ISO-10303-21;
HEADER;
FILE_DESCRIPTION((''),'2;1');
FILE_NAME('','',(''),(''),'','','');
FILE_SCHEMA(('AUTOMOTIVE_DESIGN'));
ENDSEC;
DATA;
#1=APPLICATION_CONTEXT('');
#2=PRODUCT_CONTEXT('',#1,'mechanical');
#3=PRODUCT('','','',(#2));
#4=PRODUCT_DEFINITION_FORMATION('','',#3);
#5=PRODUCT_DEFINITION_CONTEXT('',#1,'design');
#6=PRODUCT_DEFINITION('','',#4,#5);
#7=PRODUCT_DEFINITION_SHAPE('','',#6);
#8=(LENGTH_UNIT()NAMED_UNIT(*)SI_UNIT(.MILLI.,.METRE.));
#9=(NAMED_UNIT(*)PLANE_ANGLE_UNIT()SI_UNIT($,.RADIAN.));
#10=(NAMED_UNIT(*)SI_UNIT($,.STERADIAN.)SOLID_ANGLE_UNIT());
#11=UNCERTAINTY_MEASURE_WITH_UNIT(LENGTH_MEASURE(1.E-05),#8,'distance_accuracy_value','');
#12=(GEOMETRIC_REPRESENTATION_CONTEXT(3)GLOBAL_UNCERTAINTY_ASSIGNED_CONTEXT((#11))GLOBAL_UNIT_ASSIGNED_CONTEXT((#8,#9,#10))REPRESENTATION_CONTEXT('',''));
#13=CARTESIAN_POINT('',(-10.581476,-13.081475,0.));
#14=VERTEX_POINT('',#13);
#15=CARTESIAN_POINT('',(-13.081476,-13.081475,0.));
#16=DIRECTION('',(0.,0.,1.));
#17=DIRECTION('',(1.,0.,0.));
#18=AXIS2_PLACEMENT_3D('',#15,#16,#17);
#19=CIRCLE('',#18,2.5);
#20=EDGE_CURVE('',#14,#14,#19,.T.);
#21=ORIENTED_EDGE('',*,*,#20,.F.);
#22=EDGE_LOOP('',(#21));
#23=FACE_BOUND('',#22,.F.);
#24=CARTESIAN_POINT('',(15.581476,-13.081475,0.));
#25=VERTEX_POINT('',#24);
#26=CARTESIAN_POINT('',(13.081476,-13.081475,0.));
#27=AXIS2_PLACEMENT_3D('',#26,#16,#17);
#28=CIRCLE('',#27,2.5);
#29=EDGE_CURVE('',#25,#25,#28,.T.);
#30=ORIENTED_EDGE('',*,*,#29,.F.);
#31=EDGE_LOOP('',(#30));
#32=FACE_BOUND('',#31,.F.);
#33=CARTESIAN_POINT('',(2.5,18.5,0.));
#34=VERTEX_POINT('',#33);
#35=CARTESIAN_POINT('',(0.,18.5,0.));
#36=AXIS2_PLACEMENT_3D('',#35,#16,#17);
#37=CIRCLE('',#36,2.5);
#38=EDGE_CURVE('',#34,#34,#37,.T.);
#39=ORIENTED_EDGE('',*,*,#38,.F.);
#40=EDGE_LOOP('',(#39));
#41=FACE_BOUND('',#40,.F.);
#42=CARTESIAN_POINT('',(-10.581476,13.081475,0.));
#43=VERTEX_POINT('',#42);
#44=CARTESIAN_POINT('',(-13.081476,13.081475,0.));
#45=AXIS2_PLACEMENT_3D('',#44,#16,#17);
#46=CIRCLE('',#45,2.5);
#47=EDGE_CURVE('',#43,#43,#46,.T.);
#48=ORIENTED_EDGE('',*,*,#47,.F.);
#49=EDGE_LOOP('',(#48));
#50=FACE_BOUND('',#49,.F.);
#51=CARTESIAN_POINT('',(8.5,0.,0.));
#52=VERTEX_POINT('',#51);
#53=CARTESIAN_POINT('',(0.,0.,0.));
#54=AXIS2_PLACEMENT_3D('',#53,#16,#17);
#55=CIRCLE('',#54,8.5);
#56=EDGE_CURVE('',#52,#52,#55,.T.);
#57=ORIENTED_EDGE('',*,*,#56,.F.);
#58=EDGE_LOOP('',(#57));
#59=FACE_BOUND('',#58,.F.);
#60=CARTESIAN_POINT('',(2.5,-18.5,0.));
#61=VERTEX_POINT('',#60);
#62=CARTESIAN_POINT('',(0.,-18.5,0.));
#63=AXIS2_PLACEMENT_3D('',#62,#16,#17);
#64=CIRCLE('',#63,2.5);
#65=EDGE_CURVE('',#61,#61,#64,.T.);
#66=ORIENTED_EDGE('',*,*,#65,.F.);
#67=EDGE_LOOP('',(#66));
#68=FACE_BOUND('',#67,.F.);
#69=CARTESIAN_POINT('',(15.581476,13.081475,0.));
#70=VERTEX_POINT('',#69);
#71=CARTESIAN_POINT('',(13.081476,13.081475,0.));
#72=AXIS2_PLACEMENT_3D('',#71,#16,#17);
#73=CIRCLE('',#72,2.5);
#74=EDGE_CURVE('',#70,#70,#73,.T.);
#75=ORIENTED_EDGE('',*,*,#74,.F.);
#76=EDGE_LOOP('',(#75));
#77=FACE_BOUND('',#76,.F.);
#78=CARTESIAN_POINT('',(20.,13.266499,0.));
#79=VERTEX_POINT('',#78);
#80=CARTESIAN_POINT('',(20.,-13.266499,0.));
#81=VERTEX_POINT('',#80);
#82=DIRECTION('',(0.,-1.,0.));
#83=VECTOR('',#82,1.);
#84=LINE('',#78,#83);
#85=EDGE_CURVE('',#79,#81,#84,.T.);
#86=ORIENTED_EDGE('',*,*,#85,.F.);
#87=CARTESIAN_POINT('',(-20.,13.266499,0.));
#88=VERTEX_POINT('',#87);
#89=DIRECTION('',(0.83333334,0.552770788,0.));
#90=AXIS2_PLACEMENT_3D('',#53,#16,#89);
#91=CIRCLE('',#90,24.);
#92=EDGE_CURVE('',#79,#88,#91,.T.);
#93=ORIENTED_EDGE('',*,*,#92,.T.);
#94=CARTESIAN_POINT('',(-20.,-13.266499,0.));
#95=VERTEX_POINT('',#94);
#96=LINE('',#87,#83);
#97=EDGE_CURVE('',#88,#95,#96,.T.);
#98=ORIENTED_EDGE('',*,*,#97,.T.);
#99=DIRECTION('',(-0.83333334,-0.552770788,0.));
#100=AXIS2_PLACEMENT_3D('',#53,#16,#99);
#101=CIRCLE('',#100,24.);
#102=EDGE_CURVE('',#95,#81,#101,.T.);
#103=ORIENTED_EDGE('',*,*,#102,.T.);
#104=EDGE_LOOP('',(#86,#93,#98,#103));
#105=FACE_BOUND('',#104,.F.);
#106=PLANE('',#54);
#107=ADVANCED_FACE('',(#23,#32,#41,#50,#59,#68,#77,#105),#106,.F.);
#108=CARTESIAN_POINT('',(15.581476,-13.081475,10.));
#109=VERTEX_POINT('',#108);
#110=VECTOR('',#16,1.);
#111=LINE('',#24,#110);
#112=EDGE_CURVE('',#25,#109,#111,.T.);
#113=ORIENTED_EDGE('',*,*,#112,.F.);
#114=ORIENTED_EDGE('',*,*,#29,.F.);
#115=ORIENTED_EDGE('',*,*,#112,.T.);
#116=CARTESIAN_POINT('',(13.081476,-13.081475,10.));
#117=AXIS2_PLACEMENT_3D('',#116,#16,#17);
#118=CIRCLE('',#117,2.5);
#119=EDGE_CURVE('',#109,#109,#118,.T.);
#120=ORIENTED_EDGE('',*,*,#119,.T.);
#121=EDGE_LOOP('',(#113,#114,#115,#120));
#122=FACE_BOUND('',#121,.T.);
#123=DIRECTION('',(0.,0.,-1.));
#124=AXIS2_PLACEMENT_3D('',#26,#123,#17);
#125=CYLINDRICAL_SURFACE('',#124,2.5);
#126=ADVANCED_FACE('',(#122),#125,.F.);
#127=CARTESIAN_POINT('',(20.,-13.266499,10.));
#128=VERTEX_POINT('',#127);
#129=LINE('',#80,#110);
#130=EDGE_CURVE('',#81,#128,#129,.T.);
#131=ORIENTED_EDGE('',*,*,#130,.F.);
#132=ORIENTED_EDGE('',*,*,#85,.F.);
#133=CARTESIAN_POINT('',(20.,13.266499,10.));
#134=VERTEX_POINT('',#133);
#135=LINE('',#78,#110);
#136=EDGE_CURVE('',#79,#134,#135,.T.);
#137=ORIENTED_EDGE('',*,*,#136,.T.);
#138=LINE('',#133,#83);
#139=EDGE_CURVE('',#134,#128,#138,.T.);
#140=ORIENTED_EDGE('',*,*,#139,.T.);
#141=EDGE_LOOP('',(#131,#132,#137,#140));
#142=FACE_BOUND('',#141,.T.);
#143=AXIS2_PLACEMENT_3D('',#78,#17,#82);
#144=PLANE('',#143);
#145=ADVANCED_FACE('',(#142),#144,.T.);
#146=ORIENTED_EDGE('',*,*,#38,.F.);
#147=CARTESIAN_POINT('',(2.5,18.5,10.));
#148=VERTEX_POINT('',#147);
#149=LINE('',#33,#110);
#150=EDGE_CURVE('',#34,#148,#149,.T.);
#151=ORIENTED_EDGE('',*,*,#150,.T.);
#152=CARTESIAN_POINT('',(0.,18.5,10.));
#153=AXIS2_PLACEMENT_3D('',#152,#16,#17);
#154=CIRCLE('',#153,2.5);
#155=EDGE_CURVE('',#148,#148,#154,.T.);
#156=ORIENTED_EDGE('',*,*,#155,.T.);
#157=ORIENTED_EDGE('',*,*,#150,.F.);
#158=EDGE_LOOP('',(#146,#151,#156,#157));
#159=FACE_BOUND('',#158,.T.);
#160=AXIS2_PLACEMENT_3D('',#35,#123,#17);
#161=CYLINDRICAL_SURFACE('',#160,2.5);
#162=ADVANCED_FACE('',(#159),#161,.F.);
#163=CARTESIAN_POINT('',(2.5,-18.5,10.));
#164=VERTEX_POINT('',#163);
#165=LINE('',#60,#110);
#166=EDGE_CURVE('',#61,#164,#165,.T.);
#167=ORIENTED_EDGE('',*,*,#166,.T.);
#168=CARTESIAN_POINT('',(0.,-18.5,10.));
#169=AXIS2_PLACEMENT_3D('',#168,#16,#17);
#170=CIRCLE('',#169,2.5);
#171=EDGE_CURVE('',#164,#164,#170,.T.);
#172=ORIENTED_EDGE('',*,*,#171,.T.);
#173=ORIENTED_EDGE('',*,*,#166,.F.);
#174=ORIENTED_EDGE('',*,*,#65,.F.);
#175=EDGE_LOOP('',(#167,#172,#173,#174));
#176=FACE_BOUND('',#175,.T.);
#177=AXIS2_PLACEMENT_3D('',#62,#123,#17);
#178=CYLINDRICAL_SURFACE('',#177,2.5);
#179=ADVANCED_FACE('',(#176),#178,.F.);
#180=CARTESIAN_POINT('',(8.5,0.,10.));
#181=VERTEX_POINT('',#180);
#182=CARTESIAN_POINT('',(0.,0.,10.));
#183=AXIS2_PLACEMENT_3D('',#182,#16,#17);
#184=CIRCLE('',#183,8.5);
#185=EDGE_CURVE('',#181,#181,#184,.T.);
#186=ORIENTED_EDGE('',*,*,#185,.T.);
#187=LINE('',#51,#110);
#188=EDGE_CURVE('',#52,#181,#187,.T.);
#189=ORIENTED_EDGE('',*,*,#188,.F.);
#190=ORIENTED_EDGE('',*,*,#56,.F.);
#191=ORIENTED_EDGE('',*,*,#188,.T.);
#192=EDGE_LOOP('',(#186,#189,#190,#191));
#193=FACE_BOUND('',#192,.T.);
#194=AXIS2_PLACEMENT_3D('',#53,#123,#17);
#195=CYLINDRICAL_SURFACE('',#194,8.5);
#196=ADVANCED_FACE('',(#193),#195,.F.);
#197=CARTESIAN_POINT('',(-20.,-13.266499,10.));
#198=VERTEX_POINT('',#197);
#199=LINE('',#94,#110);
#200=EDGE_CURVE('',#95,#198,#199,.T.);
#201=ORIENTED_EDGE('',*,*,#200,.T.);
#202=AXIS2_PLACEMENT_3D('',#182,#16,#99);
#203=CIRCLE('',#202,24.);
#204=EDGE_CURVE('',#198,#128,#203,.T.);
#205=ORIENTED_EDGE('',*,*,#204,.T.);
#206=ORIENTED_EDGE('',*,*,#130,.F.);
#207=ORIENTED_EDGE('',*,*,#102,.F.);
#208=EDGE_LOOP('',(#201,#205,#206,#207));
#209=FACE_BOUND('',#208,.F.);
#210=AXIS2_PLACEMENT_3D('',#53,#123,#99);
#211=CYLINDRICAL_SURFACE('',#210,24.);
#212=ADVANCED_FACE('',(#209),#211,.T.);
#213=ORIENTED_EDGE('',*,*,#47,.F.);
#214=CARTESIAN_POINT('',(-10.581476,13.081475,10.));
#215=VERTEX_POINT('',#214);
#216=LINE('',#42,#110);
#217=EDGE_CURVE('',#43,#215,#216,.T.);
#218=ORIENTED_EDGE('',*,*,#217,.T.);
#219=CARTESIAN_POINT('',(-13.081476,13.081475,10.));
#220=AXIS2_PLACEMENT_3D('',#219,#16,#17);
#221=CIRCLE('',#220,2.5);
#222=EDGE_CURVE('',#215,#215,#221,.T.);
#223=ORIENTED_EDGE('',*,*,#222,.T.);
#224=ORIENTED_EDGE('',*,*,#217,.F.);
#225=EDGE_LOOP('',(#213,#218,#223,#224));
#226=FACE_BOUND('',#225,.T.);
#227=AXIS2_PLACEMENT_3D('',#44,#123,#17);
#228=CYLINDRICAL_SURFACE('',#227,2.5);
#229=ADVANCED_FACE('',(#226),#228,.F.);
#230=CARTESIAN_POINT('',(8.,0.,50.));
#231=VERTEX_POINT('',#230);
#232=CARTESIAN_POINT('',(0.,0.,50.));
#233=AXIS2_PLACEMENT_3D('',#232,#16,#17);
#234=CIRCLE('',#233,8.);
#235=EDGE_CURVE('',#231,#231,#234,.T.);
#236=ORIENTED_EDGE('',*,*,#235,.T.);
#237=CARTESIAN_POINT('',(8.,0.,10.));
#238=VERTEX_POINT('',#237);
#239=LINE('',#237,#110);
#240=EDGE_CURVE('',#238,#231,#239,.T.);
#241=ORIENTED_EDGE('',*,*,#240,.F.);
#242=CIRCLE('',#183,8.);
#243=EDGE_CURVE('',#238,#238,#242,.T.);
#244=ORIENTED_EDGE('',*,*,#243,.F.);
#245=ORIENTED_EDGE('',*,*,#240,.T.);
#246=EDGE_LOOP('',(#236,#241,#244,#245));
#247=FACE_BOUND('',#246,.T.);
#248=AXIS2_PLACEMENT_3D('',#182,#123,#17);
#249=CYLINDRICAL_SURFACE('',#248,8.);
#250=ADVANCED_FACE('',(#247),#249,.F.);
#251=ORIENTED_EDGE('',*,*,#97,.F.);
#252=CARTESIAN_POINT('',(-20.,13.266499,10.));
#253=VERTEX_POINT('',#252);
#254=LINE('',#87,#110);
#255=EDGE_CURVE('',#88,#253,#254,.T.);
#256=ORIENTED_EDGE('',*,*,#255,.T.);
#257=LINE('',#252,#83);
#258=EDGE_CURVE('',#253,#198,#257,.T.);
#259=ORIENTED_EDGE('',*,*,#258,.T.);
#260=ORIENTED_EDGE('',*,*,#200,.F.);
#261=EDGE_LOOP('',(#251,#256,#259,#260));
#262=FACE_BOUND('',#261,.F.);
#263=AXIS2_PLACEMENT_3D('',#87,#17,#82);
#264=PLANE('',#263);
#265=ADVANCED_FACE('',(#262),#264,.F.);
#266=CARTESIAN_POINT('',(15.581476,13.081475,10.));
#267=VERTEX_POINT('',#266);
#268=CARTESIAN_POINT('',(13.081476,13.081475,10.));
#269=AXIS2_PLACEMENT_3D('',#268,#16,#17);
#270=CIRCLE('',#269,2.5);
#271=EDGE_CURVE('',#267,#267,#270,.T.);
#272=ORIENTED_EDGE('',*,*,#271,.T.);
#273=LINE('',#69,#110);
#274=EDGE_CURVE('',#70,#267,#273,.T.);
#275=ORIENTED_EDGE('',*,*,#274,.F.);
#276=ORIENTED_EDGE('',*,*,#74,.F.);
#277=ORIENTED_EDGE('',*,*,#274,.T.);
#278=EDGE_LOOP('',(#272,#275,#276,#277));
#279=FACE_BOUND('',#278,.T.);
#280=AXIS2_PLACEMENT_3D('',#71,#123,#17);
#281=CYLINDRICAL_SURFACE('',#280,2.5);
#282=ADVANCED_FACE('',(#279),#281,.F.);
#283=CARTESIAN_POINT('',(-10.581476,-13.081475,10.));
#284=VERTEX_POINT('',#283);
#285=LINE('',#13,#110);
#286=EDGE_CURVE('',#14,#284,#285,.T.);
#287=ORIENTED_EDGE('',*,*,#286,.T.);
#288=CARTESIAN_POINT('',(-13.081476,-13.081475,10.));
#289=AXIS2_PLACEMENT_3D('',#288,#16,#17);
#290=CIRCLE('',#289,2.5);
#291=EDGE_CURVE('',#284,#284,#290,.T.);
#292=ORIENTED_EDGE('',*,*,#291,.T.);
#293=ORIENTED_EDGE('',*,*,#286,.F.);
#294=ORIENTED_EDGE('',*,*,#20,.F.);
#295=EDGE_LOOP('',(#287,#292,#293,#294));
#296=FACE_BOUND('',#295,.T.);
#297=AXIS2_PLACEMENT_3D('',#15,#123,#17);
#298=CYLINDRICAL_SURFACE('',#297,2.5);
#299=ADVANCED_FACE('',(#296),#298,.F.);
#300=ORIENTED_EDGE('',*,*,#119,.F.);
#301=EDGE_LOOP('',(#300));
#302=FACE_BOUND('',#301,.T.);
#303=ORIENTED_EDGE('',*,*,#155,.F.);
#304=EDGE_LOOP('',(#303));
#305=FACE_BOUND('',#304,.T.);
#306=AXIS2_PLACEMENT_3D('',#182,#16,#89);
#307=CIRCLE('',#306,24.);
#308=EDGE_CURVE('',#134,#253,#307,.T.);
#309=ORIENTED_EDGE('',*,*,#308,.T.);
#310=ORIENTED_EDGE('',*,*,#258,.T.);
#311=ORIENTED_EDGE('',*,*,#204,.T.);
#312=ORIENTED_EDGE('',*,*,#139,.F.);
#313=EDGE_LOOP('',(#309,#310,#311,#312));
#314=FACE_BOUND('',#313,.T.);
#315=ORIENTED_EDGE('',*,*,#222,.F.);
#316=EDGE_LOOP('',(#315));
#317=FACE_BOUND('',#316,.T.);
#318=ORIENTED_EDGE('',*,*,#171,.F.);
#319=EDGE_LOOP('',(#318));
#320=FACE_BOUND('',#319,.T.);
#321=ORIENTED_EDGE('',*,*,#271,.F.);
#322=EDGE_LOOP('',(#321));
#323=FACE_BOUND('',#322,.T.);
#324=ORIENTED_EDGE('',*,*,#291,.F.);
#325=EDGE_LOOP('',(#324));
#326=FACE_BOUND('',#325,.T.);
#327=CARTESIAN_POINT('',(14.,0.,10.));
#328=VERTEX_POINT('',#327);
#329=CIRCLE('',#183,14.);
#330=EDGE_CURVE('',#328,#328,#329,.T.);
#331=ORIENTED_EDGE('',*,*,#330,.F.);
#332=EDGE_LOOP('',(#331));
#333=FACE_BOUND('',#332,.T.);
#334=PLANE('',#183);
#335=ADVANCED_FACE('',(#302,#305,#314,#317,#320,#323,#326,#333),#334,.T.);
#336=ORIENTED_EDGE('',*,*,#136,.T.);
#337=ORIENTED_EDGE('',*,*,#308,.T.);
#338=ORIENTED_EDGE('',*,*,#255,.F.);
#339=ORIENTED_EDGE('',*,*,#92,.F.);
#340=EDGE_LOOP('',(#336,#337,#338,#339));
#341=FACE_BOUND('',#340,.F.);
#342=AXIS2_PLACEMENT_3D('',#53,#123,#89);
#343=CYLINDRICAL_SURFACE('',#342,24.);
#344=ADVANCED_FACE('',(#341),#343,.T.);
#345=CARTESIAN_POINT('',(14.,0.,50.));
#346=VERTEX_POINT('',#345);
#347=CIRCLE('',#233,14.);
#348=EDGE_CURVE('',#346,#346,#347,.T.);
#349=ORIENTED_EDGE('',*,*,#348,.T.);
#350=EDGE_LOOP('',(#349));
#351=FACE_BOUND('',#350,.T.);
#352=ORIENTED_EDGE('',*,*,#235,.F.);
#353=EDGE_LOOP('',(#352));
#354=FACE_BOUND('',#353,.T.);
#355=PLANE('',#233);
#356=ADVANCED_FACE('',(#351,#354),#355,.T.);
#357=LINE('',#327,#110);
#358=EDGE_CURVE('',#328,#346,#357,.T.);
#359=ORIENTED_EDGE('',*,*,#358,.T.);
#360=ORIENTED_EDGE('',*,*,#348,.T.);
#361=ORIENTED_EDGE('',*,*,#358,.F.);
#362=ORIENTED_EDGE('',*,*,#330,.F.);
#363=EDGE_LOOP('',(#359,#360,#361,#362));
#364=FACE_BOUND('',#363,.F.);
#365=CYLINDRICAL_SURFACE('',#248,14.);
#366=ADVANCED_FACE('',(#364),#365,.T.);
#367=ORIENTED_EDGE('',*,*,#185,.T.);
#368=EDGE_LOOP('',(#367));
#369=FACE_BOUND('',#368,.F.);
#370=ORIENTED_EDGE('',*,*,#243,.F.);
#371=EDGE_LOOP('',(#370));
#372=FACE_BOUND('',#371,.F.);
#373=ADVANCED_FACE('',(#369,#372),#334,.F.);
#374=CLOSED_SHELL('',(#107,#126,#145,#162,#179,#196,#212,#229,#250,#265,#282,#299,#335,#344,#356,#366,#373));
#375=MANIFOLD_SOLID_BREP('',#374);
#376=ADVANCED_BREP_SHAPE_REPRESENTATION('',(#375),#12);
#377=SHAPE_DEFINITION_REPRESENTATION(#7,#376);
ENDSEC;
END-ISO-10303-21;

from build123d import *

# Parameters (mm, degrees)
SKETCH_R      = 2.5
SKETCH_R_2    = 8.5
PAD_DEPTH     = 10
SKETCH001_R   = 14
SKETCH001_R_2 = 8
PAD001_DEPTH  = 40


with BuildPart() as part:
    # Sketch → Pad (new body)
    with BuildSketch(Plane.XY):
        with BuildLine():
            ThreePointArc((20, 13.266499), (0, 24), (-20, 13.266499))
            Line((-20, 13.266499), (-20, -13.266499))
            ThreePointArc((-20, -13.266499), (0, -24), (20, -13.266499))
            Line((20, 13.266499), (20, -13.266499))
        make_face()
        with Locations((0, 18.5)):
            Circle(SKETCH_R, mode=Mode.SUBTRACT)
        with Locations((0, -18.5)):
            Circle(SKETCH_R, mode=Mode.SUBTRACT)
        Circle(SKETCH_R_2, mode=Mode.SUBTRACT)
        with Locations((-13.081476, 13.081475)):
            Circle(SKETCH_R, mode=Mode.SUBTRACT)
        with Locations((-13.081476, -13.081475)):
            Circle(SKETCH_R, mode=Mode.SUBTRACT)
        with Locations((13.081476, -13.081475)):
            Circle(SKETCH_R, mode=Mode.SUBTRACT)
        with Locations((13.081476, 13.081475)):
            Circle(SKETCH_R, mode=Mode.SUBTRACT)
    extrude(amount=PAD_DEPTH)

    # Sketch001 → Pad001 (new body)
    with BuildSketch(Plane.XY.offset(10)):
        Circle(SKETCH001_R)
        Circle(SKETCH001_R_2, mode=Mode.SUBTRACT)
    extrude(amount=PAD001_DEPTH)


solid = part.part
